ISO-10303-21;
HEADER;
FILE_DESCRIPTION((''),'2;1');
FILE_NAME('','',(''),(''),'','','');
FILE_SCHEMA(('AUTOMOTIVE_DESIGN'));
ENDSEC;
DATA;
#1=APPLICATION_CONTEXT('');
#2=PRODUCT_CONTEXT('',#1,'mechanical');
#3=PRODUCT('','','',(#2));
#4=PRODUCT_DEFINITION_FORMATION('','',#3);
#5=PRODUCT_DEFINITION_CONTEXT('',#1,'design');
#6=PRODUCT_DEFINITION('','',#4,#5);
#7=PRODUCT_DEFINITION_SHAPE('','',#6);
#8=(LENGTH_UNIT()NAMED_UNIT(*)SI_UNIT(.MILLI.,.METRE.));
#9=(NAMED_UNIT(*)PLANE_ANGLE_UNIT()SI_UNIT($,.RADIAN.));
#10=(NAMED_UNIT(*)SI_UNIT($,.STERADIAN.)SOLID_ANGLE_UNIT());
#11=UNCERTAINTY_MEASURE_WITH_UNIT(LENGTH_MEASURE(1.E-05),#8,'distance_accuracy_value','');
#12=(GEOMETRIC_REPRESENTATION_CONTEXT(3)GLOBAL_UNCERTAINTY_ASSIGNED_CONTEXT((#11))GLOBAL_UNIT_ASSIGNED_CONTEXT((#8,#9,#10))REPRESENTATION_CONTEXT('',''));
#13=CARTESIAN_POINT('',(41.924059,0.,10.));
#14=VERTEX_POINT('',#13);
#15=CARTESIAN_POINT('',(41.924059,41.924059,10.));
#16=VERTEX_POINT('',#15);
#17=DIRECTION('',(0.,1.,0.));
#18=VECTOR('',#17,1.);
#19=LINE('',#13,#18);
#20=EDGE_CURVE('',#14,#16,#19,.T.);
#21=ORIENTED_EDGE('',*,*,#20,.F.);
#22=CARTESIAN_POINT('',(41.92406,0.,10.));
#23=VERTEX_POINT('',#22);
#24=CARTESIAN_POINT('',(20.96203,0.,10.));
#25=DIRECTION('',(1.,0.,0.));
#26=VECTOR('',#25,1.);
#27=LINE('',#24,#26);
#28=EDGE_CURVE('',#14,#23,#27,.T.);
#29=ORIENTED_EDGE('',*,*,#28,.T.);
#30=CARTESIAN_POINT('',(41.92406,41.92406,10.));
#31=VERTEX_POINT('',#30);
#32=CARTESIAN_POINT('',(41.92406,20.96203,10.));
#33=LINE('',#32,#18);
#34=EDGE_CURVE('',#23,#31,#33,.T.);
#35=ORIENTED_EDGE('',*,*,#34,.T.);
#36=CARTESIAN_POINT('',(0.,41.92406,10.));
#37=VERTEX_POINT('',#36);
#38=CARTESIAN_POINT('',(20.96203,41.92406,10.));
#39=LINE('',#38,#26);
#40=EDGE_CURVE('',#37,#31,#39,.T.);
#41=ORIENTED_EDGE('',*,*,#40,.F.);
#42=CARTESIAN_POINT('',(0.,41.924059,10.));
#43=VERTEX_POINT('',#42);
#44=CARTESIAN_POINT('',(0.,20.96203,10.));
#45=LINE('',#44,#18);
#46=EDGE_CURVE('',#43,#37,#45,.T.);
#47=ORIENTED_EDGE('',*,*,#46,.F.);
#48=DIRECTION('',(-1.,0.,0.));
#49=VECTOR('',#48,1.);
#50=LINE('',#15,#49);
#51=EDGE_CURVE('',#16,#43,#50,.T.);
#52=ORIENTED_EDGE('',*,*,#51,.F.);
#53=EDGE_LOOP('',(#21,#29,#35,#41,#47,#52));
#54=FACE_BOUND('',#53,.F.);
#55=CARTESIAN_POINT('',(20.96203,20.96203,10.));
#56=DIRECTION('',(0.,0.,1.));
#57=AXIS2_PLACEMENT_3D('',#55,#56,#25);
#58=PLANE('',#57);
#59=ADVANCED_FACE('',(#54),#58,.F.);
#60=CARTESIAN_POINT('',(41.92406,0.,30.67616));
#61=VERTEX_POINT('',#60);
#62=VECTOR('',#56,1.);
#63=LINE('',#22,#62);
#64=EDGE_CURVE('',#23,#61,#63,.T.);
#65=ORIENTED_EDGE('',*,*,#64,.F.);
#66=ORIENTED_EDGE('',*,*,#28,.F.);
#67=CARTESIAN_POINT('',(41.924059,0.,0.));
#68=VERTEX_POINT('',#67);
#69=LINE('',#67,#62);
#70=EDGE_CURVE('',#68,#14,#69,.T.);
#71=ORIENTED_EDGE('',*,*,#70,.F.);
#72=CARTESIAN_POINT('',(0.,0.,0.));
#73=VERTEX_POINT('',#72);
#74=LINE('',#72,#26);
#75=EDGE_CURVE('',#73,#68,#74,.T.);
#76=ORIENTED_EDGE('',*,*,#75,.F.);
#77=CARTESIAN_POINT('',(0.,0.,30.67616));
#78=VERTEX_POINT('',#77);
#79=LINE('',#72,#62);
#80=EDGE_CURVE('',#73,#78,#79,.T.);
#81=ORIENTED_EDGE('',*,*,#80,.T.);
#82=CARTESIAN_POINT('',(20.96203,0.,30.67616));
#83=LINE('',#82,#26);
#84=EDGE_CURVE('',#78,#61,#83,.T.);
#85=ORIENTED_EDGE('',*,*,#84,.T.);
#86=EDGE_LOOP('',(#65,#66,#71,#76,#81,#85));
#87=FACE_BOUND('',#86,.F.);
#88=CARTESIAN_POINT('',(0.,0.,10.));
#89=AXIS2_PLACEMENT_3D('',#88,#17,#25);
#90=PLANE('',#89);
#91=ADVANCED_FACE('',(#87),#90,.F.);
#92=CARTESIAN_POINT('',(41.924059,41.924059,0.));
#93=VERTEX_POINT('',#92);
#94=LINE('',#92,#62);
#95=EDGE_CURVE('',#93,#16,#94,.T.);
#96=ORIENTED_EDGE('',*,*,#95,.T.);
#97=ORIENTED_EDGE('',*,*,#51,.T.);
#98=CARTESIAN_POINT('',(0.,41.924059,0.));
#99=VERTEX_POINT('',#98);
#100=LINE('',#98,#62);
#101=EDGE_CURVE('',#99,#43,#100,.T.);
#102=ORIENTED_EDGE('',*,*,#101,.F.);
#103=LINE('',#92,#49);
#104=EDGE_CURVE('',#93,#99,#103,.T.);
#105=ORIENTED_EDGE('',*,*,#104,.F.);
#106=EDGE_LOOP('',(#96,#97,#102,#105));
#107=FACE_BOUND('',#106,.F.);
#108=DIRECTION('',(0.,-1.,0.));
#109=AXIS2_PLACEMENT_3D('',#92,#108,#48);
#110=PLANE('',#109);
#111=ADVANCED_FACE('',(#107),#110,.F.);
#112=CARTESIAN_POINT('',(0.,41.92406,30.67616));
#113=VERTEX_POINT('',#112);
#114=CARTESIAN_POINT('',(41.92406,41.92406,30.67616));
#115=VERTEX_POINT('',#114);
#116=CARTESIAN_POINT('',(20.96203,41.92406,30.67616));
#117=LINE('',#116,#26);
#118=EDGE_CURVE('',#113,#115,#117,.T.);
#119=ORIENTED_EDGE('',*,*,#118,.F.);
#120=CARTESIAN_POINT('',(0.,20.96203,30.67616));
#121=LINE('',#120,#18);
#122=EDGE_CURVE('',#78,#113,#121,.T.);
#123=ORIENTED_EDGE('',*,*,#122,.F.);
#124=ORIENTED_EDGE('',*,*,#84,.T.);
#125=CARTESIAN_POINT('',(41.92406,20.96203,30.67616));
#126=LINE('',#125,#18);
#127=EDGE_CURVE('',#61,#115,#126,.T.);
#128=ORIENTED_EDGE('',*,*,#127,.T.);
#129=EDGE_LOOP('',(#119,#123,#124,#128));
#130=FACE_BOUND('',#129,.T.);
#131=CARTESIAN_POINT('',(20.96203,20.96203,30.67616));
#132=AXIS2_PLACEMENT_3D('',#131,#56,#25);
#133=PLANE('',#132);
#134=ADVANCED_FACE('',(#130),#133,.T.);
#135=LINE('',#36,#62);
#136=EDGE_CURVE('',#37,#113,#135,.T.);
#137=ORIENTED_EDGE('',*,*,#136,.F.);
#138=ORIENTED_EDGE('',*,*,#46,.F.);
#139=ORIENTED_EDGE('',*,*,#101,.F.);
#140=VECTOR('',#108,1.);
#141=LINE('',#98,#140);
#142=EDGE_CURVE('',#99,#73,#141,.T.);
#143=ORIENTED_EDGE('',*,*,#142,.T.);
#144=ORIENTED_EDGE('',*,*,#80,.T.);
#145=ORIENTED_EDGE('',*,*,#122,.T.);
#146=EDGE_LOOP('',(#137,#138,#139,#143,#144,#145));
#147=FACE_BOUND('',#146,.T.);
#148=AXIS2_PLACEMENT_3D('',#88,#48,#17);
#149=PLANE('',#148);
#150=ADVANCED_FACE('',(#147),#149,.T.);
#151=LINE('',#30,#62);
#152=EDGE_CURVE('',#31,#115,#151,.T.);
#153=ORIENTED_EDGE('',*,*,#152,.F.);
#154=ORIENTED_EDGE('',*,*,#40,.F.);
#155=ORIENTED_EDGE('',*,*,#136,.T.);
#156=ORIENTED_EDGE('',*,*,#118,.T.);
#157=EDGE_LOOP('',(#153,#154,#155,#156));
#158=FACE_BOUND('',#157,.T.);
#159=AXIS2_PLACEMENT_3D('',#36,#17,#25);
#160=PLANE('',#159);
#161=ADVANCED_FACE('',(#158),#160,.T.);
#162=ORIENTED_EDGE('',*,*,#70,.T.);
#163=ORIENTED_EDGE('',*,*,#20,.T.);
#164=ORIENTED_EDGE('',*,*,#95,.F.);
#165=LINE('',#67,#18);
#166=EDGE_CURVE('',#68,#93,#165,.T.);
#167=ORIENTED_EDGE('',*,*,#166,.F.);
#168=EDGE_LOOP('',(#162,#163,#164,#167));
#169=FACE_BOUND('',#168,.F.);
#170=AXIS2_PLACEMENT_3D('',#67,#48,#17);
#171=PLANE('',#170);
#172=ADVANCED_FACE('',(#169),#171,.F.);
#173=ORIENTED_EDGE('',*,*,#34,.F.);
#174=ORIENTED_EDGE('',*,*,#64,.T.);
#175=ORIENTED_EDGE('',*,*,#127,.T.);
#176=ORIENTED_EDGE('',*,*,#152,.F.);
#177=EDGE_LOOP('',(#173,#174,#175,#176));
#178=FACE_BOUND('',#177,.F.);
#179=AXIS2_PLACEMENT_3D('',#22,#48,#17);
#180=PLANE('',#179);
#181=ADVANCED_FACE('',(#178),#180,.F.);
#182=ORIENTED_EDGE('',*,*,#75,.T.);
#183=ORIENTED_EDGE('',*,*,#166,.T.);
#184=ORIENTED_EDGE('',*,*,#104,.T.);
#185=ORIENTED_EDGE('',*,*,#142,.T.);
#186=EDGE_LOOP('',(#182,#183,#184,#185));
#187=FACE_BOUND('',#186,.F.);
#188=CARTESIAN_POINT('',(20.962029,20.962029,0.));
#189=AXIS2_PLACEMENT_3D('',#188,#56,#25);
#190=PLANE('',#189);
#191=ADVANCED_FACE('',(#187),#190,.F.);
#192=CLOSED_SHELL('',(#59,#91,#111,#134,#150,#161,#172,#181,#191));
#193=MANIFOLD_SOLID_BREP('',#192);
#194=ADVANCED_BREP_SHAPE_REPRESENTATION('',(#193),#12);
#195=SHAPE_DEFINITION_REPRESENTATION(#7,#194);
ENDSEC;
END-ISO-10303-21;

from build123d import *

# Parameters (mm, degrees)
F1_DEPTH  = 10
F1_FACE_W = 41.92406
F1_FACE_H = 41.92406
F2_DEPTH  = 20.67616


with BuildPart() as f1:
    # F0 (on Top) → F1 (new body)
    with BuildSketch(Plane.XY):
        Polygon((0, 41.924059), (0, 0), (41.924059, 0), (41.924059, 41.924059), (38.381182, 41.924059), align=None)
    extrude(amount=F1_DEPTH)

    # F1_face (on face) → F2 (join)
    with BuildSketch(Plane(origin=(20.96203, 20.96203, 10), x_dir=(1, 0, 0), z_dir=(0, 0, 1))):
        Rectangle(F1_FACE_W, F1_FACE_H)
    extrude(amount=F2_DEPTH)


solid = f1.part
